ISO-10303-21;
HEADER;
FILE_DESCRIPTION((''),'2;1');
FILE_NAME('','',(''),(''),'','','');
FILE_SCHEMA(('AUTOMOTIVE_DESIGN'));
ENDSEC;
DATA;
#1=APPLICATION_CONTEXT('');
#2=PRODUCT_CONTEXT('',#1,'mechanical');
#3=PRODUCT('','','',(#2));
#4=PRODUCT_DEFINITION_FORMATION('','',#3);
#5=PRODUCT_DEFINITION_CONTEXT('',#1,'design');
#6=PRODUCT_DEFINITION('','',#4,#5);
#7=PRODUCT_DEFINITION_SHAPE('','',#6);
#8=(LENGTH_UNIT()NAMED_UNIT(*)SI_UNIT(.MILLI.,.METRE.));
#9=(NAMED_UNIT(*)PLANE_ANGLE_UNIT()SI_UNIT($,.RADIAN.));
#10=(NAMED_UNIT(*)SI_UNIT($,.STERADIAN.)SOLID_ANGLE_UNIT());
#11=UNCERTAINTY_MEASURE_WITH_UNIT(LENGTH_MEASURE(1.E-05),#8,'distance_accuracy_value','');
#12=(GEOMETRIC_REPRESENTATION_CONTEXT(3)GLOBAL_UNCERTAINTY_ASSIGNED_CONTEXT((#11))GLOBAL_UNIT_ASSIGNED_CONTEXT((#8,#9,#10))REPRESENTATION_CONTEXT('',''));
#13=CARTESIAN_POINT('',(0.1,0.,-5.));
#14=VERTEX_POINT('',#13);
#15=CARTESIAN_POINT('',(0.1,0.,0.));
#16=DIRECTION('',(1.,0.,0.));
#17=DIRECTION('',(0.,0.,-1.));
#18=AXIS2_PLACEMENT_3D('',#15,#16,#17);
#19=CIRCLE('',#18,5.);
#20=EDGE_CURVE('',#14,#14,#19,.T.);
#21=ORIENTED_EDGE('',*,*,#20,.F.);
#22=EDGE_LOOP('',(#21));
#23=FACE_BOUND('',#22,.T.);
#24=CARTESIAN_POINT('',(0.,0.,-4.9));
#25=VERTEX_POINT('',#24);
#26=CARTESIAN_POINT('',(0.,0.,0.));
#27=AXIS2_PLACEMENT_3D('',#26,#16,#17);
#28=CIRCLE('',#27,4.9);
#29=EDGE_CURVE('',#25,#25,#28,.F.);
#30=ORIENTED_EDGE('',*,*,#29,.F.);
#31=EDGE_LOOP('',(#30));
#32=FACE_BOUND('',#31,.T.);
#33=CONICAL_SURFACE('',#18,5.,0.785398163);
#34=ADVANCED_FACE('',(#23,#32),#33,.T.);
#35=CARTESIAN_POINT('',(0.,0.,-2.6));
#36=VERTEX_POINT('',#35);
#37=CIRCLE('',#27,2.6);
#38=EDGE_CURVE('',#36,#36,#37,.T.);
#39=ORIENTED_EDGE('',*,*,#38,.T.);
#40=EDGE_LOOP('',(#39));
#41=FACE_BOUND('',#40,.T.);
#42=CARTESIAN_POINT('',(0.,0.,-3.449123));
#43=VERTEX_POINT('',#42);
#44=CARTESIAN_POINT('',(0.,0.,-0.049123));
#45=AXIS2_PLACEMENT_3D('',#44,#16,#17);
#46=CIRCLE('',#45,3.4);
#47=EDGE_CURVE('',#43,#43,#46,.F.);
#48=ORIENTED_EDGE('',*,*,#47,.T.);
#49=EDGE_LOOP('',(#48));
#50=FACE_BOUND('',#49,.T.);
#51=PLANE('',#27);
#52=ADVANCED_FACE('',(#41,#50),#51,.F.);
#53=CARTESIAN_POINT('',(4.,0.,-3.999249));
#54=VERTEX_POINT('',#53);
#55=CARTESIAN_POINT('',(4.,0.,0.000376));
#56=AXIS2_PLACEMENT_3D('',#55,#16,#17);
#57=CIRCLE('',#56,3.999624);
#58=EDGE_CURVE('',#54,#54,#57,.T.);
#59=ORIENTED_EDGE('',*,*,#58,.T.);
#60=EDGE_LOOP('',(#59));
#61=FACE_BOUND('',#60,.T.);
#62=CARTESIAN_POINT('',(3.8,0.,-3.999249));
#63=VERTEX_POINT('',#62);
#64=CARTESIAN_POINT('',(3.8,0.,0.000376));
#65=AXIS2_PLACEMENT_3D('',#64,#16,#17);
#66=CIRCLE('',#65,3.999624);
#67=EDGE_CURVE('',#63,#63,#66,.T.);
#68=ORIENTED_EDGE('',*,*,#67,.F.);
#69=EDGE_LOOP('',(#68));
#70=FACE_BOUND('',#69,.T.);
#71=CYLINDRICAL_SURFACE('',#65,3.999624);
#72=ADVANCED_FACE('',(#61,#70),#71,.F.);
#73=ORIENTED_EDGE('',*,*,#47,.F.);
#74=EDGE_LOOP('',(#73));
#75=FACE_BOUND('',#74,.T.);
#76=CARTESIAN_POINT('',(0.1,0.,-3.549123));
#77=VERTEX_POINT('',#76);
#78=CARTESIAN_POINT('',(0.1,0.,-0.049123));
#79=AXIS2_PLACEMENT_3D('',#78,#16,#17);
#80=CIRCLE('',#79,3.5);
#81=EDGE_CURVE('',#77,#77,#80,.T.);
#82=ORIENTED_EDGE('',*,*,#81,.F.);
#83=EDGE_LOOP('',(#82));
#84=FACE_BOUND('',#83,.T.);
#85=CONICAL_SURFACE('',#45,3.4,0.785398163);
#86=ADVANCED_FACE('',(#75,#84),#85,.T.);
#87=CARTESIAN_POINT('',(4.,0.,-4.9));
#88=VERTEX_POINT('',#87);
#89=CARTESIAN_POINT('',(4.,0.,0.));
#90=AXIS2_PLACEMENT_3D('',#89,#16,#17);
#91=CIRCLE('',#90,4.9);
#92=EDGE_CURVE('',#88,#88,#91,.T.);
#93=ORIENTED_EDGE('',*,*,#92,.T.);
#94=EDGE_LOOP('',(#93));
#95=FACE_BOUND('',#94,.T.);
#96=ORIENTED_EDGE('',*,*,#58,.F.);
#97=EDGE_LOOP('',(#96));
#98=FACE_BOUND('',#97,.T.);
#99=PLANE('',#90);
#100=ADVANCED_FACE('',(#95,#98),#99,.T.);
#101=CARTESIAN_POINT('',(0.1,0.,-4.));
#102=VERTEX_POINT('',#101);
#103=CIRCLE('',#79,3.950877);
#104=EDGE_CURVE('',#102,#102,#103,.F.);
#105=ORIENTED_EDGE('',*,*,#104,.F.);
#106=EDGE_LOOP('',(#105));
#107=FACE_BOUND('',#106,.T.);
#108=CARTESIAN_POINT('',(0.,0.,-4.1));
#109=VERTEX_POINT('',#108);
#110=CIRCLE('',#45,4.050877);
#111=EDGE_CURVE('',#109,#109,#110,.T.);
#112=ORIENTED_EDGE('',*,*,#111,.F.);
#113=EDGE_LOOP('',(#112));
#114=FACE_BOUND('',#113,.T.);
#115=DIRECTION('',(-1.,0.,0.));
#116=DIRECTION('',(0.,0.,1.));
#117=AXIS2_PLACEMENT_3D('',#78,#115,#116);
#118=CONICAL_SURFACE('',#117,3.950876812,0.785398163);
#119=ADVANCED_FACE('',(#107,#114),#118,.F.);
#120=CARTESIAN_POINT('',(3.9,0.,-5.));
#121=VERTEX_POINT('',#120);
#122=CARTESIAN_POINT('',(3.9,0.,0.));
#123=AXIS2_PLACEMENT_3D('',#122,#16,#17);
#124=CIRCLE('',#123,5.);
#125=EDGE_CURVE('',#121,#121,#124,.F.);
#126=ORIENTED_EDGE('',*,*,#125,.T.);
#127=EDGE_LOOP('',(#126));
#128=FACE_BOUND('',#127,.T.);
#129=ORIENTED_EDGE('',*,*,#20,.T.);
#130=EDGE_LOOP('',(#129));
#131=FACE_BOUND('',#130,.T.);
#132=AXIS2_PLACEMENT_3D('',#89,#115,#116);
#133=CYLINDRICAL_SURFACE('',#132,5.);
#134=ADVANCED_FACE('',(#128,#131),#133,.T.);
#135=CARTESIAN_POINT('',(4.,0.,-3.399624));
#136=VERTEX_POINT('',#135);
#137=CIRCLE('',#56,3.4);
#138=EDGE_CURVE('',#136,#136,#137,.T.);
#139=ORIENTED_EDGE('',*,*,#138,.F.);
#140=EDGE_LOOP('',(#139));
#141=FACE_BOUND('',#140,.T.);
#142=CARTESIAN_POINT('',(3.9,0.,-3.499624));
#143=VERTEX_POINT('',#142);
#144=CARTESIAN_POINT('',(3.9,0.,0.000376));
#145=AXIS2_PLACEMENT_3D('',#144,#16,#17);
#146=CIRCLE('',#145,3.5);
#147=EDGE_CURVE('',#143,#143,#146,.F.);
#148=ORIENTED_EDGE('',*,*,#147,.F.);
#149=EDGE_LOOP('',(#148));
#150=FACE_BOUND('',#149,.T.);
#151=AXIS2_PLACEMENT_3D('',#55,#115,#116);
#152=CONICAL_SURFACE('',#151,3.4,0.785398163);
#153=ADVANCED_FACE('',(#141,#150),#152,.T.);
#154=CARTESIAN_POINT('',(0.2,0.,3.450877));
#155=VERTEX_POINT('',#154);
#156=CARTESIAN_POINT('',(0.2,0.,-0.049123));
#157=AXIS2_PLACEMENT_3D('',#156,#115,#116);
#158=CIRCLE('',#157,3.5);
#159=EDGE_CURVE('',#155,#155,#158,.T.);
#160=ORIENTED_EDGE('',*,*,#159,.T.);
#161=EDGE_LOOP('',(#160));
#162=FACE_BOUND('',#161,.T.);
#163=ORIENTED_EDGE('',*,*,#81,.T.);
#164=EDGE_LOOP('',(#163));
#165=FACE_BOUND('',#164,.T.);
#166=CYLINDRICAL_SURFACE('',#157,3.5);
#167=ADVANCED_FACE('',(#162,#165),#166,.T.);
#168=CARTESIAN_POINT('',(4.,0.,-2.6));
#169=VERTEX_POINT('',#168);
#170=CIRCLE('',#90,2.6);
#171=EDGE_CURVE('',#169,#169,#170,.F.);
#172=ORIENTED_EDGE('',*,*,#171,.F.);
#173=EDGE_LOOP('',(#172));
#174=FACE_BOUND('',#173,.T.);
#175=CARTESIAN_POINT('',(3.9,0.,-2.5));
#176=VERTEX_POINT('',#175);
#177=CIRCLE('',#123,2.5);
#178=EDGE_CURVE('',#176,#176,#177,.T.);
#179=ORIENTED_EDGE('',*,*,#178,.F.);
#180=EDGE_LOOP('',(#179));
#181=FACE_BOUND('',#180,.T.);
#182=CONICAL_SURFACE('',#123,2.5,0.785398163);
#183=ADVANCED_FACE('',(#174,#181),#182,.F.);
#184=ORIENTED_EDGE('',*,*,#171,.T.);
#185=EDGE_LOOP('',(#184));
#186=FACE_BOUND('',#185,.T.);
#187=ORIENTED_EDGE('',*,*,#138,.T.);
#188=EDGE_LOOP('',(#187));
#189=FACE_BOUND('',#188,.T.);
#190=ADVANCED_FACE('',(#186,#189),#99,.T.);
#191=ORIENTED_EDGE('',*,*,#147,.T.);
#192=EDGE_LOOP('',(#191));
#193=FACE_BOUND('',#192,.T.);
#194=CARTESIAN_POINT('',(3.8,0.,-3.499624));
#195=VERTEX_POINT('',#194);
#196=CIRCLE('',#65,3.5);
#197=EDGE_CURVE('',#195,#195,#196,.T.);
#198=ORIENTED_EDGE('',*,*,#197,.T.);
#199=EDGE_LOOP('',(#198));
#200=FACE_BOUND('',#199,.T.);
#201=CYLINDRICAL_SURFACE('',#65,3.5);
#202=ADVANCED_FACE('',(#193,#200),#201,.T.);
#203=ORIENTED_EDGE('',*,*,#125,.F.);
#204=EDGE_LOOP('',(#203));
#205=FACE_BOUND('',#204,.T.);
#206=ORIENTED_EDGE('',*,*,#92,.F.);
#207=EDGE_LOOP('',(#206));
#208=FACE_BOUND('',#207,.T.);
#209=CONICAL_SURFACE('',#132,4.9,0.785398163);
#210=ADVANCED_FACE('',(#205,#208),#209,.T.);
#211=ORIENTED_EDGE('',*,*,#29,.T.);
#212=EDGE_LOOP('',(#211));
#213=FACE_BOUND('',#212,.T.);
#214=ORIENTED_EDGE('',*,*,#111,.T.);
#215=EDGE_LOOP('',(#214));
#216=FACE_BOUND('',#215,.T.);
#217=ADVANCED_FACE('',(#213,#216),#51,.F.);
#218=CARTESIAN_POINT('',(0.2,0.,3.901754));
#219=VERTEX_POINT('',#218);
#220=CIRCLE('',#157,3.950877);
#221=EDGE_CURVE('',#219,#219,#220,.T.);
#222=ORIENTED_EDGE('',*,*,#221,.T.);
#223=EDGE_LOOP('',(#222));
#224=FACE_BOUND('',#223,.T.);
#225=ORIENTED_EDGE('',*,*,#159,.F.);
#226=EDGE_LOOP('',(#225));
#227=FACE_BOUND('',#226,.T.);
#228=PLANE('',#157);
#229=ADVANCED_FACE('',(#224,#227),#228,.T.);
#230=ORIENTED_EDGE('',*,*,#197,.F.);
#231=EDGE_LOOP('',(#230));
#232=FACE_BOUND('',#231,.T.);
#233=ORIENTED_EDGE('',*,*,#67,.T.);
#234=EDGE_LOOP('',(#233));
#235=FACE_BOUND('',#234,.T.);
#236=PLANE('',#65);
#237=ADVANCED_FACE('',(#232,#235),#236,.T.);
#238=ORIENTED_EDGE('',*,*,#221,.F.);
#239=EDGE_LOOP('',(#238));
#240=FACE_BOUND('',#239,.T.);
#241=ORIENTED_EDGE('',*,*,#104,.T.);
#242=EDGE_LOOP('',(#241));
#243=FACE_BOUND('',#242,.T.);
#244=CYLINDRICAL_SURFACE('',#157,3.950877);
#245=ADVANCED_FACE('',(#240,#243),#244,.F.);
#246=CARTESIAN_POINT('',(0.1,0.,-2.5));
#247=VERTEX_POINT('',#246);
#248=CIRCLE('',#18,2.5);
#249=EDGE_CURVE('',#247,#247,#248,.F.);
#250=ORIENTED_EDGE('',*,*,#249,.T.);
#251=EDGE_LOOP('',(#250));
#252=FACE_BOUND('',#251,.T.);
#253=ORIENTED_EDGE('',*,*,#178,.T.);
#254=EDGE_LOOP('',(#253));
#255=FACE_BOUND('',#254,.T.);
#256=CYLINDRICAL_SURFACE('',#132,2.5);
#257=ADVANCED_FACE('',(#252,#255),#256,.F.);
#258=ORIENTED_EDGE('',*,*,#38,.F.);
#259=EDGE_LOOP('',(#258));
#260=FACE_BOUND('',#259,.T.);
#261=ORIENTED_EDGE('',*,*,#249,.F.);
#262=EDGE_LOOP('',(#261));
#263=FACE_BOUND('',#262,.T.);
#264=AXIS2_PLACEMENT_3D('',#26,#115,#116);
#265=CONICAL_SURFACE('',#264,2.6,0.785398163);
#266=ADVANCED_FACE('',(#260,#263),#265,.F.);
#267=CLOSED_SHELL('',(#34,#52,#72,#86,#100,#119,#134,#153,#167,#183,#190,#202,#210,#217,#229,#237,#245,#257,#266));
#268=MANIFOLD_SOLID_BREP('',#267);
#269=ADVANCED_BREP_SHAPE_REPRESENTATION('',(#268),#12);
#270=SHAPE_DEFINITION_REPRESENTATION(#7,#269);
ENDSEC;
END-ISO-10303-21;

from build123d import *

# Parameters (mm, degrees)
SKETCH_1_R          = 5
SKETCH_1_R_2        = 2.5
EXTRUDE_1_DEPTH     = 4
SKETCH_2_R          = 3.999624375
SKETCH_2_R_2        = 3.5
CUT_EXTRUDE_1_DEPTH = 0.2
SKETCH_3_R          = 3.950876812
SKETCH_3_R_2        = 3.5
CUT_EXTRUDE_2_DEPTH = 0.2
CHAMFER_1_SIZE      = 0.1


with BuildPart() as part:
    # 草图1 → 凸台-拉伸1 (new body)
    with BuildSketch(Plane(origin=(0, 0, 0), x_dir=(0, 0, -1), z_dir=(1, 0, 0))):
        Circle(SKETCH_1_R)
        Circle(SKETCH_1_R_2, mode=Mode.SUBTRACT)
    extrude(amount=EXTRUDE_1_DEPTH)

    # 草图2 → 切除-拉伸1 (cut)
    with BuildSketch(Plane(origin=(4, 0, 0), x_dir=(0, 0, -1), z_dir=(1, 0, 0))):
        with Locations((-0.000375625, 0)):
            Circle(SKETCH_2_R)
        with Locations((-0.000375625, 0)):
            Circle(SKETCH_2_R_2, mode=Mode.SUBTRACT)
    extrude(amount=-CUT_EXTRUDE_1_DEPTH, mode=Mode.SUBTRACT)

    # 草图3 → 切除-拉伸2 (cut)
    with BuildSketch(Plane.ZY):
        with Locations((-0.049123188, 0)):
            Circle(SKETCH_3_R)
        with Locations((-0.049123188, 0)):
            Circle(SKETCH_3_R_2, mode=Mode.SUBTRACT)
    extrude(amount=-CUT_EXTRUDE_2_DEPTH, mode=Mode.SUBTRACT)

    # 倒角1
    chamfer_1_edges = [part.edges().sort_by_distance(p)[0] for p in [
        (4, 0, 3.500375625),
        (0, 0, 5),
        (0, 0, -4),
        (0, 0, -3.549123188),
        (4, 0, 5),
        (0, 0, 2.5),
        (4, 0, 2.5),
    ]]
    chamfer(chamfer_1_edges, length=CHAMFER_1_SIZE)


solid = part.part
